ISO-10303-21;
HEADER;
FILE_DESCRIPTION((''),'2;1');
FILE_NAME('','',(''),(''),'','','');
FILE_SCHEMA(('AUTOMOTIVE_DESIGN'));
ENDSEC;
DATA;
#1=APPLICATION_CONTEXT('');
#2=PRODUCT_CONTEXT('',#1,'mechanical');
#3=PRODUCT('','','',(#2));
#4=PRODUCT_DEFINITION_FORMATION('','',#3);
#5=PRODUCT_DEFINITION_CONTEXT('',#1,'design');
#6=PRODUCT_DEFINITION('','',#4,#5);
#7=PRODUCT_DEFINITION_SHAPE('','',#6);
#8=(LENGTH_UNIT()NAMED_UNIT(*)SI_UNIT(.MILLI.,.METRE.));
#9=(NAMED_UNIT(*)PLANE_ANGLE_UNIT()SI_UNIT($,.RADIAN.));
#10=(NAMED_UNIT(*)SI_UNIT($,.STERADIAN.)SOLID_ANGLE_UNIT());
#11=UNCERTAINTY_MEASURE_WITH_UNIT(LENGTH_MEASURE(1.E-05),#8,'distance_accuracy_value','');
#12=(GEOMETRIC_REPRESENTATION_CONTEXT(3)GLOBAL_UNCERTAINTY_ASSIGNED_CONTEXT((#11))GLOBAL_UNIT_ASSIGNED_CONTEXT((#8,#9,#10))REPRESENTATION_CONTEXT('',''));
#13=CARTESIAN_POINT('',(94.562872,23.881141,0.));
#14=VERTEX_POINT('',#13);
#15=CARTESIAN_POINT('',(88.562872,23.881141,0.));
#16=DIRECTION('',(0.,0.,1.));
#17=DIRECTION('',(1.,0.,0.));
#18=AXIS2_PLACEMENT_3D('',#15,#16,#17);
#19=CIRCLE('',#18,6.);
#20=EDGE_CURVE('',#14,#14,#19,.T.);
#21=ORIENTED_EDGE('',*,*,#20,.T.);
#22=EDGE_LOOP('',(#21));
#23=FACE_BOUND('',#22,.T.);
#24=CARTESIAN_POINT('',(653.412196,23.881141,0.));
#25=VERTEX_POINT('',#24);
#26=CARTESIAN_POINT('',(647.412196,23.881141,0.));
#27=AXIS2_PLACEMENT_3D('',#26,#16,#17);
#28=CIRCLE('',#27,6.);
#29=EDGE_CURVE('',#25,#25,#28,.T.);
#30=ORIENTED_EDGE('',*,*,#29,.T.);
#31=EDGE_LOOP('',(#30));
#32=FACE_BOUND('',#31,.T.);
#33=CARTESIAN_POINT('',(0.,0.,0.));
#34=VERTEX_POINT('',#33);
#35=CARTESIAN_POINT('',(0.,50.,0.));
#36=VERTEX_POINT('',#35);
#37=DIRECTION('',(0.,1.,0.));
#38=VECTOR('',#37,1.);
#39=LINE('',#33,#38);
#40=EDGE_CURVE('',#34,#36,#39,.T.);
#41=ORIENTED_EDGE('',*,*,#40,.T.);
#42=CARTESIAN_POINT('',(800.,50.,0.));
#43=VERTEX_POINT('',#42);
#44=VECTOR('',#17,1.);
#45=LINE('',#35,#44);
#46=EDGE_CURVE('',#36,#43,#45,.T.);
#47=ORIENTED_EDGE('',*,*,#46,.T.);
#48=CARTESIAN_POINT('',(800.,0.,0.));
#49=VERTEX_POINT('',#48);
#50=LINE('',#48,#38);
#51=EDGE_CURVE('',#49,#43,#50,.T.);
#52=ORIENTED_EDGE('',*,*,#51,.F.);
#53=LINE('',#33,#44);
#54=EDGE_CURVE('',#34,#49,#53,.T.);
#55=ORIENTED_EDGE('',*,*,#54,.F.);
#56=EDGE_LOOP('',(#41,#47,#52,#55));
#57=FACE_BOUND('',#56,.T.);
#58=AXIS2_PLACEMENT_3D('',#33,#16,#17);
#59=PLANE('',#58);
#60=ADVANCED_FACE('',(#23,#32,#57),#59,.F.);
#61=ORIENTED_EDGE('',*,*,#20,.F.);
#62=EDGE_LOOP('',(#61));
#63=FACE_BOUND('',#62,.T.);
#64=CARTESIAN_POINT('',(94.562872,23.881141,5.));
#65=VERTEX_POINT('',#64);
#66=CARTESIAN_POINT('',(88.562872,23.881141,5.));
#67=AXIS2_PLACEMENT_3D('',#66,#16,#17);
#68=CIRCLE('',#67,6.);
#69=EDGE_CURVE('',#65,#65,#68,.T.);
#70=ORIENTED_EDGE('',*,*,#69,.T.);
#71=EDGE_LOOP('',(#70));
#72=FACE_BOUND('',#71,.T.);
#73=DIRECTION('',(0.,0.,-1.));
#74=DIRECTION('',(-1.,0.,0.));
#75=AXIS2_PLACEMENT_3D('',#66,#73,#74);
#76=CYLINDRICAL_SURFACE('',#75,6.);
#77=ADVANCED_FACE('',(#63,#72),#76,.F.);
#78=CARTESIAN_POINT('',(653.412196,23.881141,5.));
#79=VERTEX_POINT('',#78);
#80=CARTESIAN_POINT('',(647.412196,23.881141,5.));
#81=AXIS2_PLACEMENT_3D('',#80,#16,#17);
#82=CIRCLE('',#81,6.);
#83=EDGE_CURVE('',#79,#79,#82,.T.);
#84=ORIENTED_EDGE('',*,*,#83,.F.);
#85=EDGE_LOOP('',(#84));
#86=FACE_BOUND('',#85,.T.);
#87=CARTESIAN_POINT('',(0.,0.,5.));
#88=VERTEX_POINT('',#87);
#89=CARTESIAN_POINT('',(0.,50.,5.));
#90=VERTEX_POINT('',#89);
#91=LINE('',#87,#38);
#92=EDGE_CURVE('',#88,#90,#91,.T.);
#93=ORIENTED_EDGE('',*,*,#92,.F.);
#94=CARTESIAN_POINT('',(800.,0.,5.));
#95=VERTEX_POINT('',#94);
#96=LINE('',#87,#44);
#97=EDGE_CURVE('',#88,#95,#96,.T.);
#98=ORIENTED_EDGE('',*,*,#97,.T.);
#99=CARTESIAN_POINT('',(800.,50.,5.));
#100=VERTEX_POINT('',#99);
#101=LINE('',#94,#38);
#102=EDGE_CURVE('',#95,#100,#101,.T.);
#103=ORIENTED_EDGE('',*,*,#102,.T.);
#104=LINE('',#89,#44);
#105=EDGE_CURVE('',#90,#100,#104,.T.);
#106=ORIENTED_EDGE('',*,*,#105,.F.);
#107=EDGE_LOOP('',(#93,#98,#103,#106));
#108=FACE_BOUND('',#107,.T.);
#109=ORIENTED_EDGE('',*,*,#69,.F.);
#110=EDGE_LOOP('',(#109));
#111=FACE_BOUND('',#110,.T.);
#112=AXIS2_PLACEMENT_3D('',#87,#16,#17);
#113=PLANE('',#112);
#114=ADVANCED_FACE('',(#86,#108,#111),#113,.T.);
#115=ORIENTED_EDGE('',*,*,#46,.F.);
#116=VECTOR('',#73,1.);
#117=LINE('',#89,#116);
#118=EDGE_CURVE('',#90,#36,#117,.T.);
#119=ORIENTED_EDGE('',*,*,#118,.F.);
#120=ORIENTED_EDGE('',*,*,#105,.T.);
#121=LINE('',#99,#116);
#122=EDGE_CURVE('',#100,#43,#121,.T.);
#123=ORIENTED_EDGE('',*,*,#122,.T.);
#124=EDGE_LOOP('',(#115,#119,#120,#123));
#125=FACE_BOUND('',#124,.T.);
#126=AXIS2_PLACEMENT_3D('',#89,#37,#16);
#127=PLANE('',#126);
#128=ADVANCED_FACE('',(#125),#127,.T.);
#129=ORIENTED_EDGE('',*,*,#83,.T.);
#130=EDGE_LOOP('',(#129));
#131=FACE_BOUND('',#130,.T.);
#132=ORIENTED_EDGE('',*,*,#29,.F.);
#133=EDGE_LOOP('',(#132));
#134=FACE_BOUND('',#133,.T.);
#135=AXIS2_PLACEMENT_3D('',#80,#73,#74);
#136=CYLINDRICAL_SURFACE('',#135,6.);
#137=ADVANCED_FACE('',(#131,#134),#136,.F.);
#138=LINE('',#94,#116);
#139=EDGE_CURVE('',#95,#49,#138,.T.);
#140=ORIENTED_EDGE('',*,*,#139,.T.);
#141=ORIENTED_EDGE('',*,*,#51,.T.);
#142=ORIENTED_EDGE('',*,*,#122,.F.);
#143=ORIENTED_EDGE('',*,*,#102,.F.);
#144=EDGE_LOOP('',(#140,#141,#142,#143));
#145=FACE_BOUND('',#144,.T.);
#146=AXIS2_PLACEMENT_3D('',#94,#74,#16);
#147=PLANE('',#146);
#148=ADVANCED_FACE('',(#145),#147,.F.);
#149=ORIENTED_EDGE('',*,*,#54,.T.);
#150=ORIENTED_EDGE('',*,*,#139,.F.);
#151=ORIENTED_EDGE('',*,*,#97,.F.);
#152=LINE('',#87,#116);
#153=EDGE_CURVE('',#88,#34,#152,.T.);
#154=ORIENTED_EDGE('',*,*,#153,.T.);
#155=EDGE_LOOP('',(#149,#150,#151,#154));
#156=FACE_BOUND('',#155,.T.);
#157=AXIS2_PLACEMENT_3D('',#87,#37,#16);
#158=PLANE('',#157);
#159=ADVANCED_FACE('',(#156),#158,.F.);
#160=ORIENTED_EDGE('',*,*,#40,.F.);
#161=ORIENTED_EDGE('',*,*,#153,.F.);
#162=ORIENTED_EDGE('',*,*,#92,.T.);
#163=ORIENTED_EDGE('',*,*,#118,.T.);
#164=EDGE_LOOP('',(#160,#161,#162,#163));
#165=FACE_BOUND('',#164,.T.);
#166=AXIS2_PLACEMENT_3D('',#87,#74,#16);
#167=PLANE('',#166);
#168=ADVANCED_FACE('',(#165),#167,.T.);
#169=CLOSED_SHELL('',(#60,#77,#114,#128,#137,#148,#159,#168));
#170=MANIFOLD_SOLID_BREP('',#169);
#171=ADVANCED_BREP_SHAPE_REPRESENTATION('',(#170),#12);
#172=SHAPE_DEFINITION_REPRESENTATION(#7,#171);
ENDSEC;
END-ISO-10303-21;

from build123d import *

# Parameters (mm, degrees)
SZKIC1_W                    = 400
SZKIC1_H                    = 50
SZKIC1_R                    = 6
DODANIE_WYCI_GNI_CIE1_DEPTH = 5


with BuildPart() as part:
    # Szkic1 → Dodanie-wyciągnięcie1 (new body)
    # profile 1 of 2: a face of its own
    with BuildSketch(Plane.XY):
        with Locations((200, 25)):
            Rectangle(SZKIC1_W, SZKIC1_H)
        with Locations((88.562871878, 23.881141178)):
            Circle(SZKIC1_R, mode=Mode.SUBTRACT)
    # profile 2 of 2: a face of its own
    with BuildSketch(Plane.XY):
        with Locations((600, 25)):
            Rectangle(SZKIC1_W, SZKIC1_H)
        with Locations((647.412196042, 23.881141178)):
            Circle(SZKIC1_R, mode=Mode.SUBTRACT)
    extrude(amount=DODANIE_WYCI_GNI_CIE1_DEPTH)


solid = part.part
